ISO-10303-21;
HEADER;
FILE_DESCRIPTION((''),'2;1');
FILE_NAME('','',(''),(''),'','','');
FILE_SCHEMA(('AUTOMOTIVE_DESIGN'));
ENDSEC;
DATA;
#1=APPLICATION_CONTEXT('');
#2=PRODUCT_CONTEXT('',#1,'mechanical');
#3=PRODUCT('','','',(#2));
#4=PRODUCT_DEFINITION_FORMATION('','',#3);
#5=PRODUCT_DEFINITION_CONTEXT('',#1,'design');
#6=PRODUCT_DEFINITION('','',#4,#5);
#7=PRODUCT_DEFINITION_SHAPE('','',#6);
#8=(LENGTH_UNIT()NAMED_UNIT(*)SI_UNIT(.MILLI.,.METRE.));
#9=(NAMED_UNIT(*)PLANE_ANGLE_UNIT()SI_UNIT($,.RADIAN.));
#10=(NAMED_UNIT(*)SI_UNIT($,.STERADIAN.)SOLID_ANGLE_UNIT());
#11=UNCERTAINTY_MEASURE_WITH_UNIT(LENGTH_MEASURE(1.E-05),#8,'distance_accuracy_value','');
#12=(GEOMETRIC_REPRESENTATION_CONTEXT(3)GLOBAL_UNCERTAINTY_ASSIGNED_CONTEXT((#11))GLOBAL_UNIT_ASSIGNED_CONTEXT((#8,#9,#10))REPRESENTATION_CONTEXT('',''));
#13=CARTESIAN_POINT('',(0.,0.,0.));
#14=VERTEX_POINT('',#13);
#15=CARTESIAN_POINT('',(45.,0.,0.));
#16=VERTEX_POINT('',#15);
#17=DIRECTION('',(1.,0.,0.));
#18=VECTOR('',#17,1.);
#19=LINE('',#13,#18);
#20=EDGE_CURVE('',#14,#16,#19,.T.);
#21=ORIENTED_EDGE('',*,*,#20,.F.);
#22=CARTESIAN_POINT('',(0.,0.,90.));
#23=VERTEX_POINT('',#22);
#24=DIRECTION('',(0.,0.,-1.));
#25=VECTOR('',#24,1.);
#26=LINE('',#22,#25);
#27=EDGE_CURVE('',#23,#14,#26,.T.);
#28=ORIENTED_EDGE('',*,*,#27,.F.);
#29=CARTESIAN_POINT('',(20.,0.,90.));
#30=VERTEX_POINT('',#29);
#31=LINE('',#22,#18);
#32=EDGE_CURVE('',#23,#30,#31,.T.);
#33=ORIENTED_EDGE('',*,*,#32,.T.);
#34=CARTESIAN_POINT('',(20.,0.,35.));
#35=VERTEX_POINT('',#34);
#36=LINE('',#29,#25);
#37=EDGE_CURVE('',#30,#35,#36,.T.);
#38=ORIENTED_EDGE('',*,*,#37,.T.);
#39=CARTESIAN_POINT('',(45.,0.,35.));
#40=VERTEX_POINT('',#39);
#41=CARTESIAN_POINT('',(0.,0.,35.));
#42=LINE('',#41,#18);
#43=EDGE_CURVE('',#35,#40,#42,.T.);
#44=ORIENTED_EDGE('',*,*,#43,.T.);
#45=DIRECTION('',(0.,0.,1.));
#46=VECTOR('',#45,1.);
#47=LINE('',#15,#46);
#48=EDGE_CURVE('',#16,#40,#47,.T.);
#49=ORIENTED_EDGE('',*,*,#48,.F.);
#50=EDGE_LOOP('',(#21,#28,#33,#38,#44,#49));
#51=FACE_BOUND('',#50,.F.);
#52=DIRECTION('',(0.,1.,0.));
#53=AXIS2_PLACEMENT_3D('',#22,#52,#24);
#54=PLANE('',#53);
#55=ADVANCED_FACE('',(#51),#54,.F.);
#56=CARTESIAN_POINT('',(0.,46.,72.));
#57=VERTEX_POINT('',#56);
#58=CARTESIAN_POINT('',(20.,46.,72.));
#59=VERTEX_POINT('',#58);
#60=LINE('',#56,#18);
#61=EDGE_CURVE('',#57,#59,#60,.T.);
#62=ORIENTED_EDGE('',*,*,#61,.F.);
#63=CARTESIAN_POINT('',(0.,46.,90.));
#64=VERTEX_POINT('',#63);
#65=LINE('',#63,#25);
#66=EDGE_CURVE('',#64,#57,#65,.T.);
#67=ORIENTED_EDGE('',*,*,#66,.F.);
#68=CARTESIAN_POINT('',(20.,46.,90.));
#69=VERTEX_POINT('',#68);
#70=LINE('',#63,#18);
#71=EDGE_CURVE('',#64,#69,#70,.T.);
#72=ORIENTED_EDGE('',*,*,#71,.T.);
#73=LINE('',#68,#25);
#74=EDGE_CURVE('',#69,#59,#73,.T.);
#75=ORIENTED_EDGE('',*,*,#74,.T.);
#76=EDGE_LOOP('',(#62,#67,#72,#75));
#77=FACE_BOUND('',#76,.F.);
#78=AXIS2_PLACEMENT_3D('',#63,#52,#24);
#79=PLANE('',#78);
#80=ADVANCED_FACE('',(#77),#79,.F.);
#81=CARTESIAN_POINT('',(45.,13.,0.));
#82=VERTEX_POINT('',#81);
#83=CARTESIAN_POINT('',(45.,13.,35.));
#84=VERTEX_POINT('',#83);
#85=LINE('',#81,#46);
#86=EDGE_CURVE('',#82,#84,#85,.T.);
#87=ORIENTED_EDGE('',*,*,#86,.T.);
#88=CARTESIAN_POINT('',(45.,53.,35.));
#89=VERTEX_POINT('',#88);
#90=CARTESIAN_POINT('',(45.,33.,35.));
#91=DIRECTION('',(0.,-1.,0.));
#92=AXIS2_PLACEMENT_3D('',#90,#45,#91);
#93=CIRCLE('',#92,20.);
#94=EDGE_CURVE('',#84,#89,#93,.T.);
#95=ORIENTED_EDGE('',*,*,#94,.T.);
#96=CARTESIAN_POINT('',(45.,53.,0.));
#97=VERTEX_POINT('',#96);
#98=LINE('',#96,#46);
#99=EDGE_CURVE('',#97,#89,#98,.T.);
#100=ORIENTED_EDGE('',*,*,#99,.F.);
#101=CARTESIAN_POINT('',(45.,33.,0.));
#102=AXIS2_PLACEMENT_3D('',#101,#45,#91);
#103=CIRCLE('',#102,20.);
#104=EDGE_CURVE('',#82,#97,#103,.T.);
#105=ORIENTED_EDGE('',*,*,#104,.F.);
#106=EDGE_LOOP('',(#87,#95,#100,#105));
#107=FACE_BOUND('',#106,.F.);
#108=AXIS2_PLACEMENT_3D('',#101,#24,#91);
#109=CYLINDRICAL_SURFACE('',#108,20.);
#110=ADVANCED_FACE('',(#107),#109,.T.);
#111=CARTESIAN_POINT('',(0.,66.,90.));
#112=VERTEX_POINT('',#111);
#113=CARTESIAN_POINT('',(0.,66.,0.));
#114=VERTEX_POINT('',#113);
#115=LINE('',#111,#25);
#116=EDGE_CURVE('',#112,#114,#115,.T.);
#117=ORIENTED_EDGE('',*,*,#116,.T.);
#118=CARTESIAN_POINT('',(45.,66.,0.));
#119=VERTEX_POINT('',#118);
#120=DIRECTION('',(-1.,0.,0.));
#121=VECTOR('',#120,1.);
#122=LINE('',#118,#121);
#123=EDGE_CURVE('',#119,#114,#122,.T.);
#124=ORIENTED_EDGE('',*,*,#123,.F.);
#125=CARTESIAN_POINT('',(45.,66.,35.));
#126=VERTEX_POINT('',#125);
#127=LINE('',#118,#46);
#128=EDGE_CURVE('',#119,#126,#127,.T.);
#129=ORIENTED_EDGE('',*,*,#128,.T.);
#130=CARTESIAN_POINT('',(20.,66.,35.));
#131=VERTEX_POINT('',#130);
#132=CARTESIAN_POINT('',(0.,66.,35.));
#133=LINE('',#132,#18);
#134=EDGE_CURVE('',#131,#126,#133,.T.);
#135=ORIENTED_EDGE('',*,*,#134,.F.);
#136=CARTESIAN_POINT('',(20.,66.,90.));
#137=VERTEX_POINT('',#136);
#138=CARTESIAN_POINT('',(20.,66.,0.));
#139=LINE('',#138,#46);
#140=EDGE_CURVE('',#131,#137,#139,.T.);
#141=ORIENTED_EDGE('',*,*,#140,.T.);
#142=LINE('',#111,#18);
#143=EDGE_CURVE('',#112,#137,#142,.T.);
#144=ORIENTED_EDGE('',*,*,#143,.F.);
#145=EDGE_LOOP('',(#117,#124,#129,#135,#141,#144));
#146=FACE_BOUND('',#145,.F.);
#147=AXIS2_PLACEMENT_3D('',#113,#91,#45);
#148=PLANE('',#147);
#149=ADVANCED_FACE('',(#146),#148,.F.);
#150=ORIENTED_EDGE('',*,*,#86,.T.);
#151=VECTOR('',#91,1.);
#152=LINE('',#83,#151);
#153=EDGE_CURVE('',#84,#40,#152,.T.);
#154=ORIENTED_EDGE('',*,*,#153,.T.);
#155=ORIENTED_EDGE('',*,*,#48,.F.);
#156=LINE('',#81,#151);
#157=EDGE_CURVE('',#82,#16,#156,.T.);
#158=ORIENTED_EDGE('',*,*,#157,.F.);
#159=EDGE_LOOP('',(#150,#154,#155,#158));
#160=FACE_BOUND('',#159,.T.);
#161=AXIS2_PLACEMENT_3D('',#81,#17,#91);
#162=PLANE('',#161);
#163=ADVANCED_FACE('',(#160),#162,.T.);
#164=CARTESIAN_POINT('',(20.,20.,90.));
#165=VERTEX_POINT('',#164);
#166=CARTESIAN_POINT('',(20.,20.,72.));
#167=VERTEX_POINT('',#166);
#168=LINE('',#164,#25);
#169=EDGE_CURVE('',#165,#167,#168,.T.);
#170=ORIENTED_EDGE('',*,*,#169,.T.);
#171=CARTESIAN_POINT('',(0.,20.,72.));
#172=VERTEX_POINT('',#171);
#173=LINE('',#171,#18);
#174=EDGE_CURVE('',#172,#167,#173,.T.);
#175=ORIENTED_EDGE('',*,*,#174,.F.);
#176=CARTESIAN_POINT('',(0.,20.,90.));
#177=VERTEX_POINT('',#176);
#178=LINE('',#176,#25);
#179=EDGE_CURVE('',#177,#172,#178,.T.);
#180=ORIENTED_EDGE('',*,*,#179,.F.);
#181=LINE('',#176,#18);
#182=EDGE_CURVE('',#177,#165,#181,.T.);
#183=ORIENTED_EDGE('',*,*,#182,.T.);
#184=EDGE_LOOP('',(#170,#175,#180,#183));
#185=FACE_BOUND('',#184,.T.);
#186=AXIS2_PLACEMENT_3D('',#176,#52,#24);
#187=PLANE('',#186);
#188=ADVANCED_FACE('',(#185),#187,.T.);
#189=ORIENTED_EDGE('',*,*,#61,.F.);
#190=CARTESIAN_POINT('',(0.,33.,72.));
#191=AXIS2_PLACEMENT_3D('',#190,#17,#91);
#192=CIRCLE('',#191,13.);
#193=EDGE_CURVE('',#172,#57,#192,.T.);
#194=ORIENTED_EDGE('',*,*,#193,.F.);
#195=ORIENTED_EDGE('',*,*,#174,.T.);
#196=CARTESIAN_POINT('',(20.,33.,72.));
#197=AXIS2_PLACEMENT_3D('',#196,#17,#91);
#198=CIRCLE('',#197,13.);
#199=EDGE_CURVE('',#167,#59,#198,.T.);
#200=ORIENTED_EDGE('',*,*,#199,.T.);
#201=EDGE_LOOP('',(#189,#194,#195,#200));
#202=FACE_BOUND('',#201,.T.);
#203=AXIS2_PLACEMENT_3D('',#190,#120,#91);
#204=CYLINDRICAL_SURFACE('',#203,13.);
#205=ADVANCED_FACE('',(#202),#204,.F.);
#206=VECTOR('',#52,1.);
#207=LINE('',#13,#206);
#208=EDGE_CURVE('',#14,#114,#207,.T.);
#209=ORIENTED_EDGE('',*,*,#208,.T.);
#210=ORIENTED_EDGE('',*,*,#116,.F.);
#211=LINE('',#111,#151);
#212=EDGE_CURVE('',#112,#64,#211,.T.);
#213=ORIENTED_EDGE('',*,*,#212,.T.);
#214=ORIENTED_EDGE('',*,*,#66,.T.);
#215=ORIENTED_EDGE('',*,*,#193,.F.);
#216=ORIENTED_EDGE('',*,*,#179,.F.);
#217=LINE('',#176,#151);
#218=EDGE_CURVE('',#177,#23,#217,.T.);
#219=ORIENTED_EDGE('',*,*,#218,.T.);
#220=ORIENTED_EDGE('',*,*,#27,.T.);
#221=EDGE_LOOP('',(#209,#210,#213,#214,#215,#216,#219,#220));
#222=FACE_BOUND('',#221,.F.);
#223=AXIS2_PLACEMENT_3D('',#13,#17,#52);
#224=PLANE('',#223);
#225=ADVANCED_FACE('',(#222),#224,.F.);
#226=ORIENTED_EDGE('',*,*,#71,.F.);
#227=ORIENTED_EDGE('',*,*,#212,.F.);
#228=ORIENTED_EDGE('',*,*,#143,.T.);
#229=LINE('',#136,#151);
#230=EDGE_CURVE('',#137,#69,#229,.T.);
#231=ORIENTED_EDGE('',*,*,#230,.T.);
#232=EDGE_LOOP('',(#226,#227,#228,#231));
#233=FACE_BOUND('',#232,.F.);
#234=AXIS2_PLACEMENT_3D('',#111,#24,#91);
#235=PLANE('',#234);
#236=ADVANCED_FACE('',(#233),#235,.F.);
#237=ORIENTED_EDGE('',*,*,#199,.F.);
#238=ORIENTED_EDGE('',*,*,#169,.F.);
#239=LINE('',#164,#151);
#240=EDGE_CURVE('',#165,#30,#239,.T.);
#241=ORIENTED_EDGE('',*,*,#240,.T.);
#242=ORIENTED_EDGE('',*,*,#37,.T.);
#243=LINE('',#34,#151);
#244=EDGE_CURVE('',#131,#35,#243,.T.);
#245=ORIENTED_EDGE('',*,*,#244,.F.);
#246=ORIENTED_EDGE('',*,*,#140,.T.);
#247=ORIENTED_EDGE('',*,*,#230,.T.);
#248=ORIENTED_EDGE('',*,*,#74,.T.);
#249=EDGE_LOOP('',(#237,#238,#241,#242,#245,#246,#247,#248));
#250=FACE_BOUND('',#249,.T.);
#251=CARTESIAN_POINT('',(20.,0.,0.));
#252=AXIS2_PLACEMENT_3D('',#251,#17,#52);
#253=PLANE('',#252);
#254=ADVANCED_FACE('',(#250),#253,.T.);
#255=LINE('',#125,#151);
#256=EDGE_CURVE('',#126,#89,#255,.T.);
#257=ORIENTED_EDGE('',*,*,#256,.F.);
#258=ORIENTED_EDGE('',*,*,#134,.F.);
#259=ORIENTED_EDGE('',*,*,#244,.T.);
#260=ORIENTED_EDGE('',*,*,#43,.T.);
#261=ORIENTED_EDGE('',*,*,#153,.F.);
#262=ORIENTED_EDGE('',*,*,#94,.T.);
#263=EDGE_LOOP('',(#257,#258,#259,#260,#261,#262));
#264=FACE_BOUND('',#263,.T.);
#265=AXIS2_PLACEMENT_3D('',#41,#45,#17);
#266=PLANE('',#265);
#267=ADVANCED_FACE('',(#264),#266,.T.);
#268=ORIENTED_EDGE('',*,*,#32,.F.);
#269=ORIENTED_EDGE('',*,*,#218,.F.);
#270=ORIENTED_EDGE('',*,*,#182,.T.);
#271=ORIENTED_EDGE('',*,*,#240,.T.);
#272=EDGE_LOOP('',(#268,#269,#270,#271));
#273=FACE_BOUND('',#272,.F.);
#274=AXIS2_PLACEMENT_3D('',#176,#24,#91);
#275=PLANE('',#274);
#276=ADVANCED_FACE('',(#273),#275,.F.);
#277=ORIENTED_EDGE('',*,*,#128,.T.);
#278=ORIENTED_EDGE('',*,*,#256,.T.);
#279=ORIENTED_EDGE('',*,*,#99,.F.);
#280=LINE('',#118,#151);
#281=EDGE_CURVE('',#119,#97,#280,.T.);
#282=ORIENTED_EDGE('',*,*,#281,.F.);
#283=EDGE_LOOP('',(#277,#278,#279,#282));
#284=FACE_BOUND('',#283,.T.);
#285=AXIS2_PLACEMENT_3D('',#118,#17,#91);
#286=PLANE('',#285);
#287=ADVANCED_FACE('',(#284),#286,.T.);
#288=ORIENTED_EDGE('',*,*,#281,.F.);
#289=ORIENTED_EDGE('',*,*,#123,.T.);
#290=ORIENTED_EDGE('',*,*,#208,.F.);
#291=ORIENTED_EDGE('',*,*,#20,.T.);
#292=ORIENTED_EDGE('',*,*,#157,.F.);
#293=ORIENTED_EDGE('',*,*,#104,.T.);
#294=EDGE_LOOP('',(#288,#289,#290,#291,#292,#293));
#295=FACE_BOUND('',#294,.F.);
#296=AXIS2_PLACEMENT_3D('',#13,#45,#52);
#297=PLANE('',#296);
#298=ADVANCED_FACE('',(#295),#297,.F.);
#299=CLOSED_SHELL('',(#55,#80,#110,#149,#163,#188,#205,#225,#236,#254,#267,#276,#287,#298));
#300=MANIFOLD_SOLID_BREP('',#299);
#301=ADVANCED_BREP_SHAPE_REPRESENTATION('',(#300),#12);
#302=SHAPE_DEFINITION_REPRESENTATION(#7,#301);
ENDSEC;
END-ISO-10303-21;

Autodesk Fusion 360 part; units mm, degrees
sketch "Sketch1" plane through (0, 0, 0) normal (1, 0, 0) x (0, 1, 0)
  line L0 (0, 0) -> (66, 0)
  line L1 (66, 0) -> (66, 90)
  line L2 (66, 90) -> (46, 90)
  line L3 (20, 90) -> (0, 90)
  line L4 (0, 90) -> (0, 0)
  line L5 (20, 90) -> (20, 72)
  line L6 (46, 90) -> (46, 72)
  arc A0 (20, 72) -> (46, 72) centre (33, 72) ccw
  dimension "d1" = 66
  dimension "d2" = 90
  dimension "d3" = 20
  dimension "d5" = 20
  dimension "d6" = 18
  dimension "d7" = 18
  dimension "d8" = 13
  dimension "d9" = 90
extrude "Extrude1" add sketch "Sketch1" along normal blind 20
sketch "Sketch2" plane through (0, 0, 0) normal (0, 0, 1) x (1, 0, 0)
  line L0 (0, 0) -> (45, 0)
  line L1 (0, 0) -> (0, 66)
  line L2 (0, 66) -> (45, 66)
  line L3 (45, 66) -> (45, 53)
  line L4 (45, 13) -> (45, 0)
  arc A0 (45, 13) -> (45, 53) centre (45, 33) ccw
  dimension "d13" = 66
  dimension "d14" = 45
  dimension "d15" = 13
  dimension "d18" = 13
  dimension "d20" = 40
extrude "Extrude2" add sketch "Sketch2" along normal blind 35
